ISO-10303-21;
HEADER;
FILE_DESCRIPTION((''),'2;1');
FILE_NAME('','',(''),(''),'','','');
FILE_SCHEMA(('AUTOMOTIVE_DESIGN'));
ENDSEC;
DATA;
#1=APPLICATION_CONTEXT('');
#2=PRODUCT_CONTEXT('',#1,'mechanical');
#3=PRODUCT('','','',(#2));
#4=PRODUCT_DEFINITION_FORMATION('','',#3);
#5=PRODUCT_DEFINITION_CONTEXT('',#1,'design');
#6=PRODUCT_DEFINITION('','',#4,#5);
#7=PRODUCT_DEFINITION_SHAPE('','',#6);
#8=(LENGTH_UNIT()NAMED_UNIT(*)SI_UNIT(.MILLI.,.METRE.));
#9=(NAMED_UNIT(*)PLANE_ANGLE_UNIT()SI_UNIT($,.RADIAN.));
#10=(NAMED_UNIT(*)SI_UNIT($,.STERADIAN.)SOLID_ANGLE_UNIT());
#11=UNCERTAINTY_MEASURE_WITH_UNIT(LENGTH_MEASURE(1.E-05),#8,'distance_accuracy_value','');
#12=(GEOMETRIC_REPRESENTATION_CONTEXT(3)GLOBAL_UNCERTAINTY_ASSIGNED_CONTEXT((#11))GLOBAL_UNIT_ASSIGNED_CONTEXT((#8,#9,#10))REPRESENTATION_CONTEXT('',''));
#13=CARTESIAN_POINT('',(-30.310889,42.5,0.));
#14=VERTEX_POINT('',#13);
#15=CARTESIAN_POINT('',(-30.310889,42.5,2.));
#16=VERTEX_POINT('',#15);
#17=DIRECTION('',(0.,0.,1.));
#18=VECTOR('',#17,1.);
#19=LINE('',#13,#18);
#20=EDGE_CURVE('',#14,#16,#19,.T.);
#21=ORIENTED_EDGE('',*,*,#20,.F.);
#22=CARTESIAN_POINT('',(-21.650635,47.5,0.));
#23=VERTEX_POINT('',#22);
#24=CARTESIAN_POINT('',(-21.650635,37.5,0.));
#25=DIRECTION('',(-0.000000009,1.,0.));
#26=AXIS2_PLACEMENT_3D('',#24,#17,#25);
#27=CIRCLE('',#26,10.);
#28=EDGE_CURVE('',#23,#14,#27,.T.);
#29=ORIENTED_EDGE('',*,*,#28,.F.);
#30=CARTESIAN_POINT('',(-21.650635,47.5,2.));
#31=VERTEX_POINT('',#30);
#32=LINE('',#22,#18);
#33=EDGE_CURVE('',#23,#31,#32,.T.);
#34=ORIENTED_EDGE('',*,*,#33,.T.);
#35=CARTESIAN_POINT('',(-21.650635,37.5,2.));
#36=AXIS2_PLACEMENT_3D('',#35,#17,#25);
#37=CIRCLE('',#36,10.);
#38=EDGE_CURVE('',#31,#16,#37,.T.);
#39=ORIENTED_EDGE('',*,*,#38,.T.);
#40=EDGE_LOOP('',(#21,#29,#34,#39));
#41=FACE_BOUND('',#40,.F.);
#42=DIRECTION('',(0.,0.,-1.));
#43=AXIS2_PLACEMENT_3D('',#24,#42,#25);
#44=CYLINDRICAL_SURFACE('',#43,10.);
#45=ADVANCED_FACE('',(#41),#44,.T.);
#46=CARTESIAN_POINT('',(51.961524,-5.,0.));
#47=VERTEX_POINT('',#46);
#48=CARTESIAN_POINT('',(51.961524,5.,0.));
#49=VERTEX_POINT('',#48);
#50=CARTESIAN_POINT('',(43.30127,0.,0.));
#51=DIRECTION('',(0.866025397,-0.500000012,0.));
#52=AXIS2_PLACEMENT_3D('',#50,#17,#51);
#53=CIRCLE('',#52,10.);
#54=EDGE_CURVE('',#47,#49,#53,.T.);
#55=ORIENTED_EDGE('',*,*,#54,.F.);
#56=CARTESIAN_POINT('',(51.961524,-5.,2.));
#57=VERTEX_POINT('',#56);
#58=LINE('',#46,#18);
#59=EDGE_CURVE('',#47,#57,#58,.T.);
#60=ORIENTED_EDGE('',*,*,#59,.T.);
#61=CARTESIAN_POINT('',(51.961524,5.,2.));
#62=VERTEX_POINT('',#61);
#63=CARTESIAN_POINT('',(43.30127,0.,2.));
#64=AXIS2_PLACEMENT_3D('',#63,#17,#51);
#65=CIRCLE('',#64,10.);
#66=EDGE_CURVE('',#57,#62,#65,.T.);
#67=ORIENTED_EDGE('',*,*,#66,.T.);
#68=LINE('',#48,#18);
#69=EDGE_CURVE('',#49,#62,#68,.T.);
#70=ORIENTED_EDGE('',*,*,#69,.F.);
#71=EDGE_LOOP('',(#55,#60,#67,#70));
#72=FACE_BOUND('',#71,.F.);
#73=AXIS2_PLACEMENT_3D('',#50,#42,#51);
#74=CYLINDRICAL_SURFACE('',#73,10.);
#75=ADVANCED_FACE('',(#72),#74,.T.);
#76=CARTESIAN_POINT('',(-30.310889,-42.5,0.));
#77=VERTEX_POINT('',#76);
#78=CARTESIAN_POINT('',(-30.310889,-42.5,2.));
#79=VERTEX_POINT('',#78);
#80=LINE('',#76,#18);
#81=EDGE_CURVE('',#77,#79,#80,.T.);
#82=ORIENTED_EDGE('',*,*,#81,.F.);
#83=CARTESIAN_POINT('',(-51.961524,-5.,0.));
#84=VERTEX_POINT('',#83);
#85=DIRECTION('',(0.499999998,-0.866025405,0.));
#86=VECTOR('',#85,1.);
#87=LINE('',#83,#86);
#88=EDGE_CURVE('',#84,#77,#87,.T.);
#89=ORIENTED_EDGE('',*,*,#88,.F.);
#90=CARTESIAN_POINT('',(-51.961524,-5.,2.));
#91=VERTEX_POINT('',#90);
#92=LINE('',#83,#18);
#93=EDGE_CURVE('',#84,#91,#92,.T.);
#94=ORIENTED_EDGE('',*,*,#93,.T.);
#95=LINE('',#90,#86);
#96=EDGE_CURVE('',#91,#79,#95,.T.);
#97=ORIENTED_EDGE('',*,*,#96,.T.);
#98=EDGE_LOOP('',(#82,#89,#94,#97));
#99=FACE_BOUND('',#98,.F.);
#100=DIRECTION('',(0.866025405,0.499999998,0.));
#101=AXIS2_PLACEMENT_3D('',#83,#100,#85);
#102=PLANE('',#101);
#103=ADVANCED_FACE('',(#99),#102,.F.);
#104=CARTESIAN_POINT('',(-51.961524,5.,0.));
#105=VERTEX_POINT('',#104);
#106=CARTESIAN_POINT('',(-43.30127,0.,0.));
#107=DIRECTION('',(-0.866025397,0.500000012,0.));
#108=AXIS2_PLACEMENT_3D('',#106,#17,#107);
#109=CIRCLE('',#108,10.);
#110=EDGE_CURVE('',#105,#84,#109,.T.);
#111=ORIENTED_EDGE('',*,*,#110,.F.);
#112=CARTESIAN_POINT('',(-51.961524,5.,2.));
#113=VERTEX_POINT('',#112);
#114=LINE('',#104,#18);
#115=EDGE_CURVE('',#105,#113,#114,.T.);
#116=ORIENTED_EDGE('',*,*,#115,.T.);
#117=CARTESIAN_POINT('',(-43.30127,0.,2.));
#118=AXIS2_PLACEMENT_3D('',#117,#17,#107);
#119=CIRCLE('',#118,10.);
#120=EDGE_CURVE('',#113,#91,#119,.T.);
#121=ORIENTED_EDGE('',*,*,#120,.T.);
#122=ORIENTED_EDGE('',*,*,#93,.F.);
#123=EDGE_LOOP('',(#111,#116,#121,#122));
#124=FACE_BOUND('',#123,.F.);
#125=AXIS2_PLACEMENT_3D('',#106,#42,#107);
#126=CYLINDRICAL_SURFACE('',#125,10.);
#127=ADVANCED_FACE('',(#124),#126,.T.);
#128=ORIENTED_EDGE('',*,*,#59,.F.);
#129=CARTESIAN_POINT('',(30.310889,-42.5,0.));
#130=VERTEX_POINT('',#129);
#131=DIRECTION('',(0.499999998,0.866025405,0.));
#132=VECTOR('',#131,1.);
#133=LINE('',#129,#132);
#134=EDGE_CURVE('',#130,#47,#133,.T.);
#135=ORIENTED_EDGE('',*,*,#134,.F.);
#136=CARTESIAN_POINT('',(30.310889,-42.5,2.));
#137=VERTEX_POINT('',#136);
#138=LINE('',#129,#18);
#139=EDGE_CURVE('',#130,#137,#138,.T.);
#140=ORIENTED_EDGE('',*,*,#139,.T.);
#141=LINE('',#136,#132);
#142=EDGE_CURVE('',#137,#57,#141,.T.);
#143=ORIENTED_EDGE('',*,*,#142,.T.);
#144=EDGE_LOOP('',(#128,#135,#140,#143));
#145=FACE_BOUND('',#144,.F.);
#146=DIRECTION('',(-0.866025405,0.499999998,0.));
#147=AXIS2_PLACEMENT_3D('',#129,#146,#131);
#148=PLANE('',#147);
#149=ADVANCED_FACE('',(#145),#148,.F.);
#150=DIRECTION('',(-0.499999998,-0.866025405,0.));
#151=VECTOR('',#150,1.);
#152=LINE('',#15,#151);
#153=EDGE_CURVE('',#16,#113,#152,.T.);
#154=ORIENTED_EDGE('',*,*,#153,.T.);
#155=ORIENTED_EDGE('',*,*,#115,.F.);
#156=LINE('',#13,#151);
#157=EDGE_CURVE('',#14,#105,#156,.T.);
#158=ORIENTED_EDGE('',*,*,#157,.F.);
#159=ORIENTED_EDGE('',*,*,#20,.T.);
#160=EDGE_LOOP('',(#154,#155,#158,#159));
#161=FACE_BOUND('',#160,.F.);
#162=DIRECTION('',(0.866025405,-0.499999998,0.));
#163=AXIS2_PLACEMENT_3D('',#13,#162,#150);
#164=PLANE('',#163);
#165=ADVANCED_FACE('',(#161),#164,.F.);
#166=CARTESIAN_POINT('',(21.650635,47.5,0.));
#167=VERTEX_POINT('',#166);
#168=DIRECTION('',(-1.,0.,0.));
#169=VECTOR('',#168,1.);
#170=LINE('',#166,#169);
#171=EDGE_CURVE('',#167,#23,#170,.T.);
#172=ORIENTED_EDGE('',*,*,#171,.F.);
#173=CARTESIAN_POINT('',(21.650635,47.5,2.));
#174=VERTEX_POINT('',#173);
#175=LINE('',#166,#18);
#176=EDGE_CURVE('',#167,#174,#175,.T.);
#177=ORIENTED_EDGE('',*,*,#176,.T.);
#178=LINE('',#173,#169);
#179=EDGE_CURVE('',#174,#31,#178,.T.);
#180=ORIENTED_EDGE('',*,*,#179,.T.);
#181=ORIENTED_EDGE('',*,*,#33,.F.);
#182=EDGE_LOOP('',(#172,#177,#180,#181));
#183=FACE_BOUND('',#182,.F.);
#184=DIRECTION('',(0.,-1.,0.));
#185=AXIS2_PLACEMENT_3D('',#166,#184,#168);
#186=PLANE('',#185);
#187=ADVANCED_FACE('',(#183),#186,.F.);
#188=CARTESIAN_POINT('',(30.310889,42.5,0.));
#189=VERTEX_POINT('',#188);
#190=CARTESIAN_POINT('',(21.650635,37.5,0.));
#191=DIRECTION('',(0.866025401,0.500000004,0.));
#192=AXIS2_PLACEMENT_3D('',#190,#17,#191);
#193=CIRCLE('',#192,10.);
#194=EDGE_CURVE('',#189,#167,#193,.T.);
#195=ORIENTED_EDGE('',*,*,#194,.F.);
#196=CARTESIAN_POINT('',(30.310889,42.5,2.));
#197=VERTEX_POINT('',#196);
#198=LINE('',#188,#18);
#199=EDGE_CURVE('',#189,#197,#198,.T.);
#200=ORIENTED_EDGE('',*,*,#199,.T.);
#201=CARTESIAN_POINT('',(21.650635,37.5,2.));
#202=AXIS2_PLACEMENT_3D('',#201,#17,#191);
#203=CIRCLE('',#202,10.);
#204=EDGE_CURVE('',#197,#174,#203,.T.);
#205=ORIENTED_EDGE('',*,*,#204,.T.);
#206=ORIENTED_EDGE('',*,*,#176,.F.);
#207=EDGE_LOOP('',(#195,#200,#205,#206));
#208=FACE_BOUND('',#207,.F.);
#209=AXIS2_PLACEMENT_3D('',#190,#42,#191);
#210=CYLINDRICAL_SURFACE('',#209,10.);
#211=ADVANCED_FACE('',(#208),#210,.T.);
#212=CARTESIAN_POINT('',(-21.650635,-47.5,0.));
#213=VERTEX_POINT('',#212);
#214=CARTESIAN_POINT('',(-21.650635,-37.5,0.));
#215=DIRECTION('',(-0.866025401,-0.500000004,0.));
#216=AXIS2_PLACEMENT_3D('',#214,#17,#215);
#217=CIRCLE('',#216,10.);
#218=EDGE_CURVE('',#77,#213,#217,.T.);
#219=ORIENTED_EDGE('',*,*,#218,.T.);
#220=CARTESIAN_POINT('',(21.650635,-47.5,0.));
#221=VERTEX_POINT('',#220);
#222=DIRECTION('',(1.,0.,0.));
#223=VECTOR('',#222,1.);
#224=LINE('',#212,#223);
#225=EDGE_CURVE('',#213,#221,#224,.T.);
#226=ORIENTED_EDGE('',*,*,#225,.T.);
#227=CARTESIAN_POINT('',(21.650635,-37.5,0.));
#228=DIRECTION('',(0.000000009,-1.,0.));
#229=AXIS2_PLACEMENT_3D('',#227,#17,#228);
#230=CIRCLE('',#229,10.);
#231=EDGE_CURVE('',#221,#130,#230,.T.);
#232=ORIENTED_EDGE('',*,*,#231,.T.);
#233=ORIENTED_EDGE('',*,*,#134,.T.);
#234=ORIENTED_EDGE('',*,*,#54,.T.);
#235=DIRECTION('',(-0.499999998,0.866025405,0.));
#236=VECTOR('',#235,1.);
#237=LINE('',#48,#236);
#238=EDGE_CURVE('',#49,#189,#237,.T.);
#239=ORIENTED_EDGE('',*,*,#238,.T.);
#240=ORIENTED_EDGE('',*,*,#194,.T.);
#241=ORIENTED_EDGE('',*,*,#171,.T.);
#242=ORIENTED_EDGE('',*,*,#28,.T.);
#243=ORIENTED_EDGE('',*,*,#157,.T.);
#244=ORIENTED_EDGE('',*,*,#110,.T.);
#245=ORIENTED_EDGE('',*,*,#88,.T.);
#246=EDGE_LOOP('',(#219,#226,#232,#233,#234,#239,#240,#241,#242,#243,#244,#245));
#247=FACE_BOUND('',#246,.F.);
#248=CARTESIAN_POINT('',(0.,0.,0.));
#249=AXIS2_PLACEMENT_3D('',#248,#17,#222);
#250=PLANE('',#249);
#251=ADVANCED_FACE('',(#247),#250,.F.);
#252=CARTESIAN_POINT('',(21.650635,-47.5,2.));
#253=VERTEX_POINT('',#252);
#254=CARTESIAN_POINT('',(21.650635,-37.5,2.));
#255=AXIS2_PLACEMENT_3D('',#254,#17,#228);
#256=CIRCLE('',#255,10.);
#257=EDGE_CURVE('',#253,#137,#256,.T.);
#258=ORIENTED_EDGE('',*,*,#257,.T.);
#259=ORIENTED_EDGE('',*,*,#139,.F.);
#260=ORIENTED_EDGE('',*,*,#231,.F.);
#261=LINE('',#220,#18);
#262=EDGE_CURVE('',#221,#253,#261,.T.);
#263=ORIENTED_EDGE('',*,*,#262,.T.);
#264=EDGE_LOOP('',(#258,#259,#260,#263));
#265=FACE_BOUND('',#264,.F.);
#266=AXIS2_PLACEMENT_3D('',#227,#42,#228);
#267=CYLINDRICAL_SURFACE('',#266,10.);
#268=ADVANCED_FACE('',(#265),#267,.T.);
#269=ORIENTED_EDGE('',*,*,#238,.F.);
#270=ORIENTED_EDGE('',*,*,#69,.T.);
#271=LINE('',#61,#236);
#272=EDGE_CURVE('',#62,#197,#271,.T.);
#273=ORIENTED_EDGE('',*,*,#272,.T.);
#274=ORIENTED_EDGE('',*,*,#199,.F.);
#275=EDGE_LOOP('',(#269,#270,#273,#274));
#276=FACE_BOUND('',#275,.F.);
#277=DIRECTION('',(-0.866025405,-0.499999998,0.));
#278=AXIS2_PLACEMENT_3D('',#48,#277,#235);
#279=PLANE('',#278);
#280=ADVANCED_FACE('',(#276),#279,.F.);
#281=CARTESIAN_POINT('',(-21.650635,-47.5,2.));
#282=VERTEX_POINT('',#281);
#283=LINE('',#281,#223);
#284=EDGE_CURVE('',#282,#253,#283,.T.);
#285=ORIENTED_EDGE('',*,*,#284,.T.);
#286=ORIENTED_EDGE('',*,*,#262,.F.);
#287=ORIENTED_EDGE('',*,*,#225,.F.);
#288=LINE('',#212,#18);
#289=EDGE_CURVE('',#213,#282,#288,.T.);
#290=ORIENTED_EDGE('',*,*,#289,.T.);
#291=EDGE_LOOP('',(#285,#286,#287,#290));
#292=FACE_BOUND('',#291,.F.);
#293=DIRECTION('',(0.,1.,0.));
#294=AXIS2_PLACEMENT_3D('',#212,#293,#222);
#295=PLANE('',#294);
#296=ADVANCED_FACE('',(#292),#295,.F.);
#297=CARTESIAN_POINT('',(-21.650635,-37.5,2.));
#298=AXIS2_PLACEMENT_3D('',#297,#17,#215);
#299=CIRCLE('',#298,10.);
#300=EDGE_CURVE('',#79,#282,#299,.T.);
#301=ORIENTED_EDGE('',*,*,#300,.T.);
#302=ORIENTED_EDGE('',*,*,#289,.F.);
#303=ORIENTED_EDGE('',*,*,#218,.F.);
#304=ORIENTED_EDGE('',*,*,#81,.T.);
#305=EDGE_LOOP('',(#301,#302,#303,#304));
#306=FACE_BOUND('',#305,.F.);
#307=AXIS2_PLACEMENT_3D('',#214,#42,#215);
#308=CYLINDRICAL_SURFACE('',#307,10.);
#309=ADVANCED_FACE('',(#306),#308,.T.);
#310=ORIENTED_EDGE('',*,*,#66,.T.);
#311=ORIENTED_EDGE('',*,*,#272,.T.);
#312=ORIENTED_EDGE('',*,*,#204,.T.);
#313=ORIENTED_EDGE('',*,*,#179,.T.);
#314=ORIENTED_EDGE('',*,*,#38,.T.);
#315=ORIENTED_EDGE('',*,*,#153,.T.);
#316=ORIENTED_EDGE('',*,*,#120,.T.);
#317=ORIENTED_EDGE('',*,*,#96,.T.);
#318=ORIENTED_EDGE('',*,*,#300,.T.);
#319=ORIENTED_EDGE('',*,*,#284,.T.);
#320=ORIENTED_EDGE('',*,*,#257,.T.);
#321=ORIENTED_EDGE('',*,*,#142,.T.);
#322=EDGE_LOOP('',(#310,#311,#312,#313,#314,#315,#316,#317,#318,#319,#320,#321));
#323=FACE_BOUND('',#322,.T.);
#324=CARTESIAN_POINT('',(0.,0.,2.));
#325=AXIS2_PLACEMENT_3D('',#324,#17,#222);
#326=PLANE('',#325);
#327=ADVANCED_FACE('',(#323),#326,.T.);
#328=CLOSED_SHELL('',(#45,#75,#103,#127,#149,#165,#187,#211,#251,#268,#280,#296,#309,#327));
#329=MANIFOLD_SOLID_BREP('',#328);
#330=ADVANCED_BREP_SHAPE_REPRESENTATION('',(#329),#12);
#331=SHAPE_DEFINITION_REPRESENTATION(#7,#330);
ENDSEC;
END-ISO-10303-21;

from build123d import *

# Parameters (mm, degrees)
F1_DEPTH = 2


with BuildPart() as f1:
    # F0 (on Top) → F1 (new body)
    with BuildSketch(Plane.XY):
        with BuildLine():
            Line((30.310889, -42.5), (51.961524, -5))
            ThreePointArc((51.961524, -5), (53.30127, 0), (51.961524, 5))
            Line((51.961524, 5), (30.310889, 42.5))
            ThreePointArc((30.310889, 42.5), (26.650635, 46.160254), (21.650635, 47.5))
            Line((21.650635, 47.5), (-21.650635, 47.5))
            ThreePointArc((-21.650635, 47.5), (-26.650635, 46.160254), (-30.310889, 42.5))
            Line((-30.310889, 42.5), (-51.961524, 5))
            ThreePointArc((-51.961524, 5), (-53.30127, 0), (-51.961524, -5))
            Line((-51.961524, -5), (-30.310889, -42.5))
            ThreePointArc((-30.310889, -42.5), (-26.650635, -46.160254), (-21.650635, -47.5))
            Line((-21.650635, -47.5), (21.650635, -47.5))
            ThreePointArc((21.650635, -47.5), (26.650635, -46.160254), (30.310889, -42.5))
        make_face()
    extrude(amount=F1_DEPTH)


solid = f1.part
